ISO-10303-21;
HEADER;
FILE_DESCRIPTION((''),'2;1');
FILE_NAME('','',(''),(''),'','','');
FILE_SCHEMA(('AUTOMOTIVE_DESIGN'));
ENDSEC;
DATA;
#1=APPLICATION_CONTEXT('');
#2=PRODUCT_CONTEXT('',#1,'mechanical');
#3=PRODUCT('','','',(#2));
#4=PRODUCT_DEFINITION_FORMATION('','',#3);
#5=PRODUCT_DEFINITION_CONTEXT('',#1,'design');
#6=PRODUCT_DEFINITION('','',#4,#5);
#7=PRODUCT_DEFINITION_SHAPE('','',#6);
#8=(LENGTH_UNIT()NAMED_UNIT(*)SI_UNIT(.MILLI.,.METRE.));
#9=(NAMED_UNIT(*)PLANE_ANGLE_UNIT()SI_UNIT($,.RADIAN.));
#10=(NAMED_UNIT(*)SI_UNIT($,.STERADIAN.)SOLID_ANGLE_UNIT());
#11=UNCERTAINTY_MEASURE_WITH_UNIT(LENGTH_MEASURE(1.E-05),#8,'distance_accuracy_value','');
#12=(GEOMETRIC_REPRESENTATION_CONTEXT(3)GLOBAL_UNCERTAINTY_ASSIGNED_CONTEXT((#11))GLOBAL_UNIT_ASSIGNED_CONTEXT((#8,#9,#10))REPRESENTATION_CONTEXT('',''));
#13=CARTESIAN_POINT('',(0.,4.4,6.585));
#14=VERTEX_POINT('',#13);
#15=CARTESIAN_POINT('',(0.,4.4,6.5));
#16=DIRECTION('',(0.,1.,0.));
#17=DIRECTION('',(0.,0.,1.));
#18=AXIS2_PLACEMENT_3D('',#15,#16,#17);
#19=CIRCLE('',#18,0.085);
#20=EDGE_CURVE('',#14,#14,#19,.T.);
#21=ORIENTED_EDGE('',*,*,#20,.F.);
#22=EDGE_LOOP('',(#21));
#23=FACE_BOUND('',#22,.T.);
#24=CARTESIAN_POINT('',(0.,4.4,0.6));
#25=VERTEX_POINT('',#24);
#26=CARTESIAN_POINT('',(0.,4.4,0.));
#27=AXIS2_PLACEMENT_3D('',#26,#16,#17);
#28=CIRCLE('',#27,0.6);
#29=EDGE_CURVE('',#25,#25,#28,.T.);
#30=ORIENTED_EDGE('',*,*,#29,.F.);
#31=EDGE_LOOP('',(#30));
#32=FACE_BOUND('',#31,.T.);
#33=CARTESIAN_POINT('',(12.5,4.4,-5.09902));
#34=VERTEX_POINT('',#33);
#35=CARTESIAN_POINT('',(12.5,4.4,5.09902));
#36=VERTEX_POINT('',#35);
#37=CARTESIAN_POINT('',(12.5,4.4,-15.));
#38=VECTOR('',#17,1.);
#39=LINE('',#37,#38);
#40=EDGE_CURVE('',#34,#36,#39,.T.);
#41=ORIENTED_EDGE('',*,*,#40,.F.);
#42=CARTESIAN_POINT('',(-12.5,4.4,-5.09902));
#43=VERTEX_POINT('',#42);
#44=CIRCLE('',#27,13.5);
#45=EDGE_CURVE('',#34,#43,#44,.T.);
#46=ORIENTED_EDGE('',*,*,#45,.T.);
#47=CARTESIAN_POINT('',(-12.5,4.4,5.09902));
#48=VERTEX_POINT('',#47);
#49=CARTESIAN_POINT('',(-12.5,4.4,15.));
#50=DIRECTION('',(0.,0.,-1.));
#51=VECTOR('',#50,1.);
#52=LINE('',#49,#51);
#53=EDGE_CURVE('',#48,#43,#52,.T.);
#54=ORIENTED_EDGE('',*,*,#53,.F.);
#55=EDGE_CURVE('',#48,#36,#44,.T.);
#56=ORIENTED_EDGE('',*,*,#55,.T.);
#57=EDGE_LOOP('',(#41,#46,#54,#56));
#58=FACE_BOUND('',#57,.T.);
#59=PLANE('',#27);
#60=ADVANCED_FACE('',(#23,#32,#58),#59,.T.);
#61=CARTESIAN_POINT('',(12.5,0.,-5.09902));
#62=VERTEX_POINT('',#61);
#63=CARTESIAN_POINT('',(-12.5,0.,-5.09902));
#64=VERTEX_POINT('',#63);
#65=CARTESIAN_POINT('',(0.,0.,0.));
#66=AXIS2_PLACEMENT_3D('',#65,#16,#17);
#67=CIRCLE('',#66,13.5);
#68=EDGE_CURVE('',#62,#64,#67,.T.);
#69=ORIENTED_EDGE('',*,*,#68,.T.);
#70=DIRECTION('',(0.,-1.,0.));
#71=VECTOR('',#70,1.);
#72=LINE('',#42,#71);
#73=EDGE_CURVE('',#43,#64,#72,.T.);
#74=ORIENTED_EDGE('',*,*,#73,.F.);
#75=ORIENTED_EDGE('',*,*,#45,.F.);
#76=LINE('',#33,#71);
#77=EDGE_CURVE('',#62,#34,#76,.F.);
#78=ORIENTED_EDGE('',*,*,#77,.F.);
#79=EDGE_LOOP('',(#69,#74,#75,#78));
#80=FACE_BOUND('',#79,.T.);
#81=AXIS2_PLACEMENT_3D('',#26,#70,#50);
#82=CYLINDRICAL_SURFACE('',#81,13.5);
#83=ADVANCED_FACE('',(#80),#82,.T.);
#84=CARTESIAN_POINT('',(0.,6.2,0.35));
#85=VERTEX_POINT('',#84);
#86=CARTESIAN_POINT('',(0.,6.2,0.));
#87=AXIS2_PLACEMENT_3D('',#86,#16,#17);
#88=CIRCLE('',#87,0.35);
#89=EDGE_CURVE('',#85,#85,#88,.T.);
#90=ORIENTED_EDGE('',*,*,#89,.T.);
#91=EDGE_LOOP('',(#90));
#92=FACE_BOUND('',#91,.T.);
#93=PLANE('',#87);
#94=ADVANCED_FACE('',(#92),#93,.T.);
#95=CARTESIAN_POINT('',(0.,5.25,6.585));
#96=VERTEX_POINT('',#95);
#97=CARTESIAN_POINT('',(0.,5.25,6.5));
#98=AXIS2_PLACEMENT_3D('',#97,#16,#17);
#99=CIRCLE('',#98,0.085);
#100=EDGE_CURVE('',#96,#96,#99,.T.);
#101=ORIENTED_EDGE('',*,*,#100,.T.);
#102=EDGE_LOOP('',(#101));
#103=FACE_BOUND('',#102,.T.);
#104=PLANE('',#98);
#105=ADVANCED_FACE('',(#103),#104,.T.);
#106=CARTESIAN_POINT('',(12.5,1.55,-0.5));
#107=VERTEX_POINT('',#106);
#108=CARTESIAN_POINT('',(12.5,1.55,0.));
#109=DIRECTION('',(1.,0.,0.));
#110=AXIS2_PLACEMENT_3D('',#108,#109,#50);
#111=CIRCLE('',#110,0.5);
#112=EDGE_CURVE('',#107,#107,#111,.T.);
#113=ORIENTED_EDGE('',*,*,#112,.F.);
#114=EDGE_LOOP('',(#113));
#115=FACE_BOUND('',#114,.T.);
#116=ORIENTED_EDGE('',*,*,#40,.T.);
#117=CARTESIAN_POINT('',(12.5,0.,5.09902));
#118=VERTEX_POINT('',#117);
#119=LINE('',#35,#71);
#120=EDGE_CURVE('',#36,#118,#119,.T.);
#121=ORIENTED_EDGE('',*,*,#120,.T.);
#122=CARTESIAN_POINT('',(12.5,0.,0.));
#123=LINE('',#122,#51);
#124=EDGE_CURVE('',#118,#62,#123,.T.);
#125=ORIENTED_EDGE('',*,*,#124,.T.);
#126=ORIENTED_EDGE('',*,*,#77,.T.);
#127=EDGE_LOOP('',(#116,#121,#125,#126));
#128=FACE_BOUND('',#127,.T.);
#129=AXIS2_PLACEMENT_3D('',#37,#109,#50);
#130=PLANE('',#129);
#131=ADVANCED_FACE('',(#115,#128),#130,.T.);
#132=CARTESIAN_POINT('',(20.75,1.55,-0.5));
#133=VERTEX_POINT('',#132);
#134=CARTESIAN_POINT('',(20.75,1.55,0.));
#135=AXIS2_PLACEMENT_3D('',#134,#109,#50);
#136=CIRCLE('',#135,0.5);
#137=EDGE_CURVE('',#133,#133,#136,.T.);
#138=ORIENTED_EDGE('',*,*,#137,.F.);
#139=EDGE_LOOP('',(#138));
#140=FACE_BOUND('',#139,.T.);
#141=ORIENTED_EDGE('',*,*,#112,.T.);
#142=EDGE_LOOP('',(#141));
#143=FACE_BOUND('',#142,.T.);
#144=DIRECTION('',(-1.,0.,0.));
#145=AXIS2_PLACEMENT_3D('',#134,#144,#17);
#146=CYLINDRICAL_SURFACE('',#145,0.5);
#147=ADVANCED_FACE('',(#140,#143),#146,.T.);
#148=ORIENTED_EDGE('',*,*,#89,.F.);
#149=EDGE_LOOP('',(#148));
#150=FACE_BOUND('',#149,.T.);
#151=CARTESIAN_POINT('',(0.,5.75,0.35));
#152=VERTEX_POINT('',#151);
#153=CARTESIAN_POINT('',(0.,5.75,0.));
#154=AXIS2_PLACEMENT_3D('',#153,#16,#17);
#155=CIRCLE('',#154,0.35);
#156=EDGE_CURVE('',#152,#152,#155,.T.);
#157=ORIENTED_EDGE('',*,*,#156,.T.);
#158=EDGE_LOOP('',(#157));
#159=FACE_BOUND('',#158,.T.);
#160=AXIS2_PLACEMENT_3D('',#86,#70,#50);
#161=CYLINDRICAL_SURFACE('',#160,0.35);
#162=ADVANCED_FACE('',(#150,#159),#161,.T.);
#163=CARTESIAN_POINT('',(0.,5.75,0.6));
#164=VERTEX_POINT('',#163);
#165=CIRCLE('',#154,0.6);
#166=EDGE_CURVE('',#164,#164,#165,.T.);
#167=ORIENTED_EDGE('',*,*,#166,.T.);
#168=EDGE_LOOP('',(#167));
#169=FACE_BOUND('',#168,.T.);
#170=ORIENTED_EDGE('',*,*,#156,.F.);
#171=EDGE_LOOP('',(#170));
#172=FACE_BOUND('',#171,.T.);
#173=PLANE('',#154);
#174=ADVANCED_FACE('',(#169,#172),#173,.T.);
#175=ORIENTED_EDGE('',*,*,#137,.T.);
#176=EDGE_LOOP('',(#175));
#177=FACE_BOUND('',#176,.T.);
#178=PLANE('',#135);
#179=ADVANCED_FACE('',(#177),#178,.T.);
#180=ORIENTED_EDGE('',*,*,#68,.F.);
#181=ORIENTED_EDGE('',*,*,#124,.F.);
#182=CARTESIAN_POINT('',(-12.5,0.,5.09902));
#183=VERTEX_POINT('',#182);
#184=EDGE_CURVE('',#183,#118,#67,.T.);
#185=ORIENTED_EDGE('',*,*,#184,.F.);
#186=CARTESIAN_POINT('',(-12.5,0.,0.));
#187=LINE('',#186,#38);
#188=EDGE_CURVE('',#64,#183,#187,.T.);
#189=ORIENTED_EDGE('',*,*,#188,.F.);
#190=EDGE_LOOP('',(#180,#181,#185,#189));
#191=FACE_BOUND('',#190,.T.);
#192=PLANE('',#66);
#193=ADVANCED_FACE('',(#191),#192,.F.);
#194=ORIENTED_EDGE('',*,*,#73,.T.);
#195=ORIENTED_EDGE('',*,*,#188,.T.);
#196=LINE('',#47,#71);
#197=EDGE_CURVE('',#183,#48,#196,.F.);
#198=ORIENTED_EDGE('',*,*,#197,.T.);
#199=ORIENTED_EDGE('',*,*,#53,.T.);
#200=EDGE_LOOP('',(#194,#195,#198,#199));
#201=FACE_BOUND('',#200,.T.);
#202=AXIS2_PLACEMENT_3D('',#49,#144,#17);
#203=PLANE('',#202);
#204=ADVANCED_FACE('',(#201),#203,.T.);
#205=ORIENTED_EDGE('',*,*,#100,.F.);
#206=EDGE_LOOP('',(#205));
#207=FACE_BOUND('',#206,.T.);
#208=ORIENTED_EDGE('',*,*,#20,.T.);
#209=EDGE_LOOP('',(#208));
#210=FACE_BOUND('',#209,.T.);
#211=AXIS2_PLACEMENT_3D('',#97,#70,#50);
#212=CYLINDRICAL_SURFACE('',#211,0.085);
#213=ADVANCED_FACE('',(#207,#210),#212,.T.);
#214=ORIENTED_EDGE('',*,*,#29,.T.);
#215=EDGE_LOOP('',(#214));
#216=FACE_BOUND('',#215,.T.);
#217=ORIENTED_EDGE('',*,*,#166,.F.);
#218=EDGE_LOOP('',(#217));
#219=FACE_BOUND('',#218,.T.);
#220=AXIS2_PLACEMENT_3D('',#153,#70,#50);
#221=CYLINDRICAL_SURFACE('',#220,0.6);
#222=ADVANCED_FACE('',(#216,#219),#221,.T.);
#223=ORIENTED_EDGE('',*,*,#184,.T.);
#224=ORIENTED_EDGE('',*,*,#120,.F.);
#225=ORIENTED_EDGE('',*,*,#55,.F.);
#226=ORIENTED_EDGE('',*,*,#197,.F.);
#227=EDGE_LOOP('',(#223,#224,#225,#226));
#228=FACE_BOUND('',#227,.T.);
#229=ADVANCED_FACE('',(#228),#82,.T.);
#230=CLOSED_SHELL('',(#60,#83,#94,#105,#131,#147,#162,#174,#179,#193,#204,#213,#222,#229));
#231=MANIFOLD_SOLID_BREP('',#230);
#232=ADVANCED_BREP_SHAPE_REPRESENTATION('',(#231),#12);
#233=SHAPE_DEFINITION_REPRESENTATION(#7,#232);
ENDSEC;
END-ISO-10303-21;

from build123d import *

# Parameters (mm, degrees)
SKETCH1_R           = 13.5
BOSS_EXTRUDE1_DEPTH = 4.4
SKETCH2_W           = 11.68560188
SKETCH2_H           = 30
SKETCH2_W_2         = 6.209334753
CUT_EXTRUDE2_DEPTH  = 4.4
SKETCH3_R           = 0.6
BOSS_EXTRUDE2_DEPTH = 1.35
SKETCH4_R           = 0.35
BOSS_EXTRUDE3_DEPTH = 0.45
SKETCH5_R           = 0.5
BOSS_EXTRUDE4_DEPTH = 8.25
SKETCH7_R           = 0.085
BOSS_EXTRUDE5_DEPTH = 0.85


with BuildPart() as part:
    # Sketch1 → Boss-Extrude1 (new body)
    with BuildSketch(Plane(origin=(0, 0, 0), x_dir=(1, 0, 0), z_dir=(0, 1, 0))):
        with Locations(Location((0, 0, 0), (0, 0, 270))):
            Circle(SKETCH1_R)
    extrude(amount=BOSS_EXTRUDE1_DEPTH)

    # Sketch2 → Cut-Extrude2 (cut)
    with BuildSketch(Plane(origin=(0, 0, 0), x_dir=(1, 0, 0), z_dir=(0, 1, 0))):
        with Locations((-18.34280094, 0)):
            Rectangle(SKETCH2_W, SKETCH2_H)
        with Locations((15.604667377, 0)):
            Rectangle(SKETCH2_W_2, SKETCH2_H)
    extrude(amount=CUT_EXTRUDE2_DEPTH, mode=Mode.SUBTRACT)

    # Sketch3 → Boss-Extrude2 (add)
    with BuildSketch(Plane(origin=(0, 4.4, 0), x_dir=(1, 0, 0), z_dir=(0, 1, 0))):
        with Locations(Location((0, 0, 0), (0, 0, 270))):
            Circle(SKETCH3_R)
    extrude(amount=BOSS_EXTRUDE2_DEPTH)

    # Sketch4 → Boss-Extrude3 (add)
    with BuildSketch(Plane(origin=(0, 5.75, 0), x_dir=(1, 0, 0), z_dir=(0, 1, 0))):
        with Locations(Location((0, 0, 0), (0, 0, 270))):
            Circle(SKETCH4_R)
    extrude(amount=BOSS_EXTRUDE3_DEPTH)

    # Sketch5 → Boss-Extrude4 (add)
    with BuildSketch(Plane(origin=(12.5, 0, 0), x_dir=(0, 0, -1), z_dir=(1, 0, 0))):
        with Locations((0, 1.55)):
            Circle(SKETCH5_R)
    extrude(amount=BOSS_EXTRUDE4_DEPTH)

    # Sketch7 → Boss-Extrude5 (add)
    with BuildSketch(Plane(origin=(0, 4.4, 0), x_dir=(1, 0, 0), z_dir=(0, 1, 0))):
        with Locations(Location((0, -6.5, 0), (0, 0, 270))):
            Circle(SKETCH7_R)
    extrude(amount=BOSS_EXTRUDE5_DEPTH)


solid = part.part
